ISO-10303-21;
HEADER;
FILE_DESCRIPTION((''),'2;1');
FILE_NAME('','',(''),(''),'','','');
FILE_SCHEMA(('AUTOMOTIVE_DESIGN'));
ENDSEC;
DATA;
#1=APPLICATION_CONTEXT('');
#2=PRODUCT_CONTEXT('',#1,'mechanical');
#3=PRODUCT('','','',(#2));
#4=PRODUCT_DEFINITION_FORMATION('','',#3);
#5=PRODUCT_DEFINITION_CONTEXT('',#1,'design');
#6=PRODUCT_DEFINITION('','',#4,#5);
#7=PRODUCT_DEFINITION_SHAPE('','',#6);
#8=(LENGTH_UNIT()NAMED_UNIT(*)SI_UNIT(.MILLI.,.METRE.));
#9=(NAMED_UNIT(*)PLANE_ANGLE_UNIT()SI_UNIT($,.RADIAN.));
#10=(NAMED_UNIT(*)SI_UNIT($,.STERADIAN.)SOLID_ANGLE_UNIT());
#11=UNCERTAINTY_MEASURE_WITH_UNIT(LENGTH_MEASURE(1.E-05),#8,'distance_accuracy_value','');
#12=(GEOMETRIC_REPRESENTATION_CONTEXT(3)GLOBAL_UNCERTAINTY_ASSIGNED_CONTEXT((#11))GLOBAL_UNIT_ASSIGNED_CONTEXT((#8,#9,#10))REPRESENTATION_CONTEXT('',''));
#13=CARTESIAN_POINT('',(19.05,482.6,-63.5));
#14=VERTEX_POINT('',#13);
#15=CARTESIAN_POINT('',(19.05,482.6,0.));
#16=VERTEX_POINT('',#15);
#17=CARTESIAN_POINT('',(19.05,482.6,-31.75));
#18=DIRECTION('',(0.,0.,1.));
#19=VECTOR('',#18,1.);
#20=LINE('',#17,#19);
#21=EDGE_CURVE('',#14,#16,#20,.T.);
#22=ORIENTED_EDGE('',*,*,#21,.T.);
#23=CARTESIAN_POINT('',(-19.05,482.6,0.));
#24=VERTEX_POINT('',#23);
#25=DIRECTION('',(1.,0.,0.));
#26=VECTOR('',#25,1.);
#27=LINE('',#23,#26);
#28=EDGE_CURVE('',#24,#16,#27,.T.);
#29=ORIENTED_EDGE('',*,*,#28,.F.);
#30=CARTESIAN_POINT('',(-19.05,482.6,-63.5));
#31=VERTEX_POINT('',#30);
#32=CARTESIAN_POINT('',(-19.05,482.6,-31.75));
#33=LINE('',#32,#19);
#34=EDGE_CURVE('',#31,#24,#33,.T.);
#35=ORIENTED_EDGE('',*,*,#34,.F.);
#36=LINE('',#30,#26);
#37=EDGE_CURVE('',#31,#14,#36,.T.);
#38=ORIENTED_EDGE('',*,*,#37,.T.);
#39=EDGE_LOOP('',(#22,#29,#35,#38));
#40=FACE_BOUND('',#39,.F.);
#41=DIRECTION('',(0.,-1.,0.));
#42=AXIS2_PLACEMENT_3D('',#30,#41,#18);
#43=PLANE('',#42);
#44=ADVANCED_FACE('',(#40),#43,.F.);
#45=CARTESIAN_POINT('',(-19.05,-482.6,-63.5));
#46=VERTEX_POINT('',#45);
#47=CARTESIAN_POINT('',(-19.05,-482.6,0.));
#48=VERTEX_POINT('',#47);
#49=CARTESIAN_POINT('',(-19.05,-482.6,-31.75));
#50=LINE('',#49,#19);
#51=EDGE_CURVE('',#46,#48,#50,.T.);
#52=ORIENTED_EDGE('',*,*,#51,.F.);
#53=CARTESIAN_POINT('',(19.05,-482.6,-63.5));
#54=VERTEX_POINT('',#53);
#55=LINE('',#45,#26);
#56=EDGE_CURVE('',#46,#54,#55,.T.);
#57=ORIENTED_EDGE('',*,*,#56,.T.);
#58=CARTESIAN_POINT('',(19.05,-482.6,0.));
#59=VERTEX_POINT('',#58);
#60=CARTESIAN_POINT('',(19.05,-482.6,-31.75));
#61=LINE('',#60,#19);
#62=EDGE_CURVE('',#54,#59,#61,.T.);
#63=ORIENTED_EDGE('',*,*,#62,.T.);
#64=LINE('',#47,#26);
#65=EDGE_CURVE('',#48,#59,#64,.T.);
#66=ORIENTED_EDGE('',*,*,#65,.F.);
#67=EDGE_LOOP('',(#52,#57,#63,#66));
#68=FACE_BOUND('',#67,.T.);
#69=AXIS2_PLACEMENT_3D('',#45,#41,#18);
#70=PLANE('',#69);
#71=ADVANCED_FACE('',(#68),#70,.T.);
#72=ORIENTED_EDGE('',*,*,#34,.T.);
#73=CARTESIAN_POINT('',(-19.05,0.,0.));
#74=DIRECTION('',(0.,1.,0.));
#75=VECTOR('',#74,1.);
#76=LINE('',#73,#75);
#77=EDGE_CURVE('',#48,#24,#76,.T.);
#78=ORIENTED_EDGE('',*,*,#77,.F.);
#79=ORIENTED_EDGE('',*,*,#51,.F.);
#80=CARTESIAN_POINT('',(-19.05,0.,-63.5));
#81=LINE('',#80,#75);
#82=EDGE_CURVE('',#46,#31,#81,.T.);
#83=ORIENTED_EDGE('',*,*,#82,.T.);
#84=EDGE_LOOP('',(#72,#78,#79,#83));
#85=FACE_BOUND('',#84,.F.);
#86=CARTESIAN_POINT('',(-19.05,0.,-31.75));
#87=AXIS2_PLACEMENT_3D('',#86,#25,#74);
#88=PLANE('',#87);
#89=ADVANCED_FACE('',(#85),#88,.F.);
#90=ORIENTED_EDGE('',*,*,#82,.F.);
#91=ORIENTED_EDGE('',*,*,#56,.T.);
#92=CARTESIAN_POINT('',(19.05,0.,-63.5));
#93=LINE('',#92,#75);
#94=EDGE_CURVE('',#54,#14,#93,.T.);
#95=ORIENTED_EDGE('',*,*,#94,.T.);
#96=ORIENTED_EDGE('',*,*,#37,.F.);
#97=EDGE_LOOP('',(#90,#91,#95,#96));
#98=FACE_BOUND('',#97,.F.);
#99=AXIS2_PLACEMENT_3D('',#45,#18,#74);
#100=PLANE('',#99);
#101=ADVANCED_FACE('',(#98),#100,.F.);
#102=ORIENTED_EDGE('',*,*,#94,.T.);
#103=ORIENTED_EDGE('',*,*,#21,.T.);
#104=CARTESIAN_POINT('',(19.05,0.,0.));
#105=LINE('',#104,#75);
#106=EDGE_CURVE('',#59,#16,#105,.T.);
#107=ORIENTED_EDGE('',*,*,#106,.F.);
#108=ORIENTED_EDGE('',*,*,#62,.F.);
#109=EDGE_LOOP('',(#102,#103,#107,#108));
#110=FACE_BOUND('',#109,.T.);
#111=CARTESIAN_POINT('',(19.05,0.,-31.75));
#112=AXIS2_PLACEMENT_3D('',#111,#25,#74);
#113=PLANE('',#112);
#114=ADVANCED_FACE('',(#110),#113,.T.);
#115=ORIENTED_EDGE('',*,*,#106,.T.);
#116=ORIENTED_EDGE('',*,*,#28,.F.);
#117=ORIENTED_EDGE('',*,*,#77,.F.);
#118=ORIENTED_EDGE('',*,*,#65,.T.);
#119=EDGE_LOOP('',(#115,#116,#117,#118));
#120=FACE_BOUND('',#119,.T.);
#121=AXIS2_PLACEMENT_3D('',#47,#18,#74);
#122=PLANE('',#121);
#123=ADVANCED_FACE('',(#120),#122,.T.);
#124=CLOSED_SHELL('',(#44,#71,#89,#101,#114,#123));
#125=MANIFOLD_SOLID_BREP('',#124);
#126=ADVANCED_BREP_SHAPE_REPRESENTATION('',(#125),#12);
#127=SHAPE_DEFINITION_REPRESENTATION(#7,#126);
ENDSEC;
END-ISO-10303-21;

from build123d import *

# Parameters (mm, degrees)
F0_W     = 965.2
F0_H     = 63.5
F1_DEPTH = 38.1


with BuildPart() as f1:
    # F0 (on Right) → F1 (new body)
    with BuildSketch(Plane.YZ):
        Rectangle(F0_W, F0_H)
    extrude(amount=F1_DEPTH)


with BuildPart() as f1_1:
    # F3: moved
    add(f1.part.moved(Location((-19.05, 0, -31.75))))


solid = f1_1.part
